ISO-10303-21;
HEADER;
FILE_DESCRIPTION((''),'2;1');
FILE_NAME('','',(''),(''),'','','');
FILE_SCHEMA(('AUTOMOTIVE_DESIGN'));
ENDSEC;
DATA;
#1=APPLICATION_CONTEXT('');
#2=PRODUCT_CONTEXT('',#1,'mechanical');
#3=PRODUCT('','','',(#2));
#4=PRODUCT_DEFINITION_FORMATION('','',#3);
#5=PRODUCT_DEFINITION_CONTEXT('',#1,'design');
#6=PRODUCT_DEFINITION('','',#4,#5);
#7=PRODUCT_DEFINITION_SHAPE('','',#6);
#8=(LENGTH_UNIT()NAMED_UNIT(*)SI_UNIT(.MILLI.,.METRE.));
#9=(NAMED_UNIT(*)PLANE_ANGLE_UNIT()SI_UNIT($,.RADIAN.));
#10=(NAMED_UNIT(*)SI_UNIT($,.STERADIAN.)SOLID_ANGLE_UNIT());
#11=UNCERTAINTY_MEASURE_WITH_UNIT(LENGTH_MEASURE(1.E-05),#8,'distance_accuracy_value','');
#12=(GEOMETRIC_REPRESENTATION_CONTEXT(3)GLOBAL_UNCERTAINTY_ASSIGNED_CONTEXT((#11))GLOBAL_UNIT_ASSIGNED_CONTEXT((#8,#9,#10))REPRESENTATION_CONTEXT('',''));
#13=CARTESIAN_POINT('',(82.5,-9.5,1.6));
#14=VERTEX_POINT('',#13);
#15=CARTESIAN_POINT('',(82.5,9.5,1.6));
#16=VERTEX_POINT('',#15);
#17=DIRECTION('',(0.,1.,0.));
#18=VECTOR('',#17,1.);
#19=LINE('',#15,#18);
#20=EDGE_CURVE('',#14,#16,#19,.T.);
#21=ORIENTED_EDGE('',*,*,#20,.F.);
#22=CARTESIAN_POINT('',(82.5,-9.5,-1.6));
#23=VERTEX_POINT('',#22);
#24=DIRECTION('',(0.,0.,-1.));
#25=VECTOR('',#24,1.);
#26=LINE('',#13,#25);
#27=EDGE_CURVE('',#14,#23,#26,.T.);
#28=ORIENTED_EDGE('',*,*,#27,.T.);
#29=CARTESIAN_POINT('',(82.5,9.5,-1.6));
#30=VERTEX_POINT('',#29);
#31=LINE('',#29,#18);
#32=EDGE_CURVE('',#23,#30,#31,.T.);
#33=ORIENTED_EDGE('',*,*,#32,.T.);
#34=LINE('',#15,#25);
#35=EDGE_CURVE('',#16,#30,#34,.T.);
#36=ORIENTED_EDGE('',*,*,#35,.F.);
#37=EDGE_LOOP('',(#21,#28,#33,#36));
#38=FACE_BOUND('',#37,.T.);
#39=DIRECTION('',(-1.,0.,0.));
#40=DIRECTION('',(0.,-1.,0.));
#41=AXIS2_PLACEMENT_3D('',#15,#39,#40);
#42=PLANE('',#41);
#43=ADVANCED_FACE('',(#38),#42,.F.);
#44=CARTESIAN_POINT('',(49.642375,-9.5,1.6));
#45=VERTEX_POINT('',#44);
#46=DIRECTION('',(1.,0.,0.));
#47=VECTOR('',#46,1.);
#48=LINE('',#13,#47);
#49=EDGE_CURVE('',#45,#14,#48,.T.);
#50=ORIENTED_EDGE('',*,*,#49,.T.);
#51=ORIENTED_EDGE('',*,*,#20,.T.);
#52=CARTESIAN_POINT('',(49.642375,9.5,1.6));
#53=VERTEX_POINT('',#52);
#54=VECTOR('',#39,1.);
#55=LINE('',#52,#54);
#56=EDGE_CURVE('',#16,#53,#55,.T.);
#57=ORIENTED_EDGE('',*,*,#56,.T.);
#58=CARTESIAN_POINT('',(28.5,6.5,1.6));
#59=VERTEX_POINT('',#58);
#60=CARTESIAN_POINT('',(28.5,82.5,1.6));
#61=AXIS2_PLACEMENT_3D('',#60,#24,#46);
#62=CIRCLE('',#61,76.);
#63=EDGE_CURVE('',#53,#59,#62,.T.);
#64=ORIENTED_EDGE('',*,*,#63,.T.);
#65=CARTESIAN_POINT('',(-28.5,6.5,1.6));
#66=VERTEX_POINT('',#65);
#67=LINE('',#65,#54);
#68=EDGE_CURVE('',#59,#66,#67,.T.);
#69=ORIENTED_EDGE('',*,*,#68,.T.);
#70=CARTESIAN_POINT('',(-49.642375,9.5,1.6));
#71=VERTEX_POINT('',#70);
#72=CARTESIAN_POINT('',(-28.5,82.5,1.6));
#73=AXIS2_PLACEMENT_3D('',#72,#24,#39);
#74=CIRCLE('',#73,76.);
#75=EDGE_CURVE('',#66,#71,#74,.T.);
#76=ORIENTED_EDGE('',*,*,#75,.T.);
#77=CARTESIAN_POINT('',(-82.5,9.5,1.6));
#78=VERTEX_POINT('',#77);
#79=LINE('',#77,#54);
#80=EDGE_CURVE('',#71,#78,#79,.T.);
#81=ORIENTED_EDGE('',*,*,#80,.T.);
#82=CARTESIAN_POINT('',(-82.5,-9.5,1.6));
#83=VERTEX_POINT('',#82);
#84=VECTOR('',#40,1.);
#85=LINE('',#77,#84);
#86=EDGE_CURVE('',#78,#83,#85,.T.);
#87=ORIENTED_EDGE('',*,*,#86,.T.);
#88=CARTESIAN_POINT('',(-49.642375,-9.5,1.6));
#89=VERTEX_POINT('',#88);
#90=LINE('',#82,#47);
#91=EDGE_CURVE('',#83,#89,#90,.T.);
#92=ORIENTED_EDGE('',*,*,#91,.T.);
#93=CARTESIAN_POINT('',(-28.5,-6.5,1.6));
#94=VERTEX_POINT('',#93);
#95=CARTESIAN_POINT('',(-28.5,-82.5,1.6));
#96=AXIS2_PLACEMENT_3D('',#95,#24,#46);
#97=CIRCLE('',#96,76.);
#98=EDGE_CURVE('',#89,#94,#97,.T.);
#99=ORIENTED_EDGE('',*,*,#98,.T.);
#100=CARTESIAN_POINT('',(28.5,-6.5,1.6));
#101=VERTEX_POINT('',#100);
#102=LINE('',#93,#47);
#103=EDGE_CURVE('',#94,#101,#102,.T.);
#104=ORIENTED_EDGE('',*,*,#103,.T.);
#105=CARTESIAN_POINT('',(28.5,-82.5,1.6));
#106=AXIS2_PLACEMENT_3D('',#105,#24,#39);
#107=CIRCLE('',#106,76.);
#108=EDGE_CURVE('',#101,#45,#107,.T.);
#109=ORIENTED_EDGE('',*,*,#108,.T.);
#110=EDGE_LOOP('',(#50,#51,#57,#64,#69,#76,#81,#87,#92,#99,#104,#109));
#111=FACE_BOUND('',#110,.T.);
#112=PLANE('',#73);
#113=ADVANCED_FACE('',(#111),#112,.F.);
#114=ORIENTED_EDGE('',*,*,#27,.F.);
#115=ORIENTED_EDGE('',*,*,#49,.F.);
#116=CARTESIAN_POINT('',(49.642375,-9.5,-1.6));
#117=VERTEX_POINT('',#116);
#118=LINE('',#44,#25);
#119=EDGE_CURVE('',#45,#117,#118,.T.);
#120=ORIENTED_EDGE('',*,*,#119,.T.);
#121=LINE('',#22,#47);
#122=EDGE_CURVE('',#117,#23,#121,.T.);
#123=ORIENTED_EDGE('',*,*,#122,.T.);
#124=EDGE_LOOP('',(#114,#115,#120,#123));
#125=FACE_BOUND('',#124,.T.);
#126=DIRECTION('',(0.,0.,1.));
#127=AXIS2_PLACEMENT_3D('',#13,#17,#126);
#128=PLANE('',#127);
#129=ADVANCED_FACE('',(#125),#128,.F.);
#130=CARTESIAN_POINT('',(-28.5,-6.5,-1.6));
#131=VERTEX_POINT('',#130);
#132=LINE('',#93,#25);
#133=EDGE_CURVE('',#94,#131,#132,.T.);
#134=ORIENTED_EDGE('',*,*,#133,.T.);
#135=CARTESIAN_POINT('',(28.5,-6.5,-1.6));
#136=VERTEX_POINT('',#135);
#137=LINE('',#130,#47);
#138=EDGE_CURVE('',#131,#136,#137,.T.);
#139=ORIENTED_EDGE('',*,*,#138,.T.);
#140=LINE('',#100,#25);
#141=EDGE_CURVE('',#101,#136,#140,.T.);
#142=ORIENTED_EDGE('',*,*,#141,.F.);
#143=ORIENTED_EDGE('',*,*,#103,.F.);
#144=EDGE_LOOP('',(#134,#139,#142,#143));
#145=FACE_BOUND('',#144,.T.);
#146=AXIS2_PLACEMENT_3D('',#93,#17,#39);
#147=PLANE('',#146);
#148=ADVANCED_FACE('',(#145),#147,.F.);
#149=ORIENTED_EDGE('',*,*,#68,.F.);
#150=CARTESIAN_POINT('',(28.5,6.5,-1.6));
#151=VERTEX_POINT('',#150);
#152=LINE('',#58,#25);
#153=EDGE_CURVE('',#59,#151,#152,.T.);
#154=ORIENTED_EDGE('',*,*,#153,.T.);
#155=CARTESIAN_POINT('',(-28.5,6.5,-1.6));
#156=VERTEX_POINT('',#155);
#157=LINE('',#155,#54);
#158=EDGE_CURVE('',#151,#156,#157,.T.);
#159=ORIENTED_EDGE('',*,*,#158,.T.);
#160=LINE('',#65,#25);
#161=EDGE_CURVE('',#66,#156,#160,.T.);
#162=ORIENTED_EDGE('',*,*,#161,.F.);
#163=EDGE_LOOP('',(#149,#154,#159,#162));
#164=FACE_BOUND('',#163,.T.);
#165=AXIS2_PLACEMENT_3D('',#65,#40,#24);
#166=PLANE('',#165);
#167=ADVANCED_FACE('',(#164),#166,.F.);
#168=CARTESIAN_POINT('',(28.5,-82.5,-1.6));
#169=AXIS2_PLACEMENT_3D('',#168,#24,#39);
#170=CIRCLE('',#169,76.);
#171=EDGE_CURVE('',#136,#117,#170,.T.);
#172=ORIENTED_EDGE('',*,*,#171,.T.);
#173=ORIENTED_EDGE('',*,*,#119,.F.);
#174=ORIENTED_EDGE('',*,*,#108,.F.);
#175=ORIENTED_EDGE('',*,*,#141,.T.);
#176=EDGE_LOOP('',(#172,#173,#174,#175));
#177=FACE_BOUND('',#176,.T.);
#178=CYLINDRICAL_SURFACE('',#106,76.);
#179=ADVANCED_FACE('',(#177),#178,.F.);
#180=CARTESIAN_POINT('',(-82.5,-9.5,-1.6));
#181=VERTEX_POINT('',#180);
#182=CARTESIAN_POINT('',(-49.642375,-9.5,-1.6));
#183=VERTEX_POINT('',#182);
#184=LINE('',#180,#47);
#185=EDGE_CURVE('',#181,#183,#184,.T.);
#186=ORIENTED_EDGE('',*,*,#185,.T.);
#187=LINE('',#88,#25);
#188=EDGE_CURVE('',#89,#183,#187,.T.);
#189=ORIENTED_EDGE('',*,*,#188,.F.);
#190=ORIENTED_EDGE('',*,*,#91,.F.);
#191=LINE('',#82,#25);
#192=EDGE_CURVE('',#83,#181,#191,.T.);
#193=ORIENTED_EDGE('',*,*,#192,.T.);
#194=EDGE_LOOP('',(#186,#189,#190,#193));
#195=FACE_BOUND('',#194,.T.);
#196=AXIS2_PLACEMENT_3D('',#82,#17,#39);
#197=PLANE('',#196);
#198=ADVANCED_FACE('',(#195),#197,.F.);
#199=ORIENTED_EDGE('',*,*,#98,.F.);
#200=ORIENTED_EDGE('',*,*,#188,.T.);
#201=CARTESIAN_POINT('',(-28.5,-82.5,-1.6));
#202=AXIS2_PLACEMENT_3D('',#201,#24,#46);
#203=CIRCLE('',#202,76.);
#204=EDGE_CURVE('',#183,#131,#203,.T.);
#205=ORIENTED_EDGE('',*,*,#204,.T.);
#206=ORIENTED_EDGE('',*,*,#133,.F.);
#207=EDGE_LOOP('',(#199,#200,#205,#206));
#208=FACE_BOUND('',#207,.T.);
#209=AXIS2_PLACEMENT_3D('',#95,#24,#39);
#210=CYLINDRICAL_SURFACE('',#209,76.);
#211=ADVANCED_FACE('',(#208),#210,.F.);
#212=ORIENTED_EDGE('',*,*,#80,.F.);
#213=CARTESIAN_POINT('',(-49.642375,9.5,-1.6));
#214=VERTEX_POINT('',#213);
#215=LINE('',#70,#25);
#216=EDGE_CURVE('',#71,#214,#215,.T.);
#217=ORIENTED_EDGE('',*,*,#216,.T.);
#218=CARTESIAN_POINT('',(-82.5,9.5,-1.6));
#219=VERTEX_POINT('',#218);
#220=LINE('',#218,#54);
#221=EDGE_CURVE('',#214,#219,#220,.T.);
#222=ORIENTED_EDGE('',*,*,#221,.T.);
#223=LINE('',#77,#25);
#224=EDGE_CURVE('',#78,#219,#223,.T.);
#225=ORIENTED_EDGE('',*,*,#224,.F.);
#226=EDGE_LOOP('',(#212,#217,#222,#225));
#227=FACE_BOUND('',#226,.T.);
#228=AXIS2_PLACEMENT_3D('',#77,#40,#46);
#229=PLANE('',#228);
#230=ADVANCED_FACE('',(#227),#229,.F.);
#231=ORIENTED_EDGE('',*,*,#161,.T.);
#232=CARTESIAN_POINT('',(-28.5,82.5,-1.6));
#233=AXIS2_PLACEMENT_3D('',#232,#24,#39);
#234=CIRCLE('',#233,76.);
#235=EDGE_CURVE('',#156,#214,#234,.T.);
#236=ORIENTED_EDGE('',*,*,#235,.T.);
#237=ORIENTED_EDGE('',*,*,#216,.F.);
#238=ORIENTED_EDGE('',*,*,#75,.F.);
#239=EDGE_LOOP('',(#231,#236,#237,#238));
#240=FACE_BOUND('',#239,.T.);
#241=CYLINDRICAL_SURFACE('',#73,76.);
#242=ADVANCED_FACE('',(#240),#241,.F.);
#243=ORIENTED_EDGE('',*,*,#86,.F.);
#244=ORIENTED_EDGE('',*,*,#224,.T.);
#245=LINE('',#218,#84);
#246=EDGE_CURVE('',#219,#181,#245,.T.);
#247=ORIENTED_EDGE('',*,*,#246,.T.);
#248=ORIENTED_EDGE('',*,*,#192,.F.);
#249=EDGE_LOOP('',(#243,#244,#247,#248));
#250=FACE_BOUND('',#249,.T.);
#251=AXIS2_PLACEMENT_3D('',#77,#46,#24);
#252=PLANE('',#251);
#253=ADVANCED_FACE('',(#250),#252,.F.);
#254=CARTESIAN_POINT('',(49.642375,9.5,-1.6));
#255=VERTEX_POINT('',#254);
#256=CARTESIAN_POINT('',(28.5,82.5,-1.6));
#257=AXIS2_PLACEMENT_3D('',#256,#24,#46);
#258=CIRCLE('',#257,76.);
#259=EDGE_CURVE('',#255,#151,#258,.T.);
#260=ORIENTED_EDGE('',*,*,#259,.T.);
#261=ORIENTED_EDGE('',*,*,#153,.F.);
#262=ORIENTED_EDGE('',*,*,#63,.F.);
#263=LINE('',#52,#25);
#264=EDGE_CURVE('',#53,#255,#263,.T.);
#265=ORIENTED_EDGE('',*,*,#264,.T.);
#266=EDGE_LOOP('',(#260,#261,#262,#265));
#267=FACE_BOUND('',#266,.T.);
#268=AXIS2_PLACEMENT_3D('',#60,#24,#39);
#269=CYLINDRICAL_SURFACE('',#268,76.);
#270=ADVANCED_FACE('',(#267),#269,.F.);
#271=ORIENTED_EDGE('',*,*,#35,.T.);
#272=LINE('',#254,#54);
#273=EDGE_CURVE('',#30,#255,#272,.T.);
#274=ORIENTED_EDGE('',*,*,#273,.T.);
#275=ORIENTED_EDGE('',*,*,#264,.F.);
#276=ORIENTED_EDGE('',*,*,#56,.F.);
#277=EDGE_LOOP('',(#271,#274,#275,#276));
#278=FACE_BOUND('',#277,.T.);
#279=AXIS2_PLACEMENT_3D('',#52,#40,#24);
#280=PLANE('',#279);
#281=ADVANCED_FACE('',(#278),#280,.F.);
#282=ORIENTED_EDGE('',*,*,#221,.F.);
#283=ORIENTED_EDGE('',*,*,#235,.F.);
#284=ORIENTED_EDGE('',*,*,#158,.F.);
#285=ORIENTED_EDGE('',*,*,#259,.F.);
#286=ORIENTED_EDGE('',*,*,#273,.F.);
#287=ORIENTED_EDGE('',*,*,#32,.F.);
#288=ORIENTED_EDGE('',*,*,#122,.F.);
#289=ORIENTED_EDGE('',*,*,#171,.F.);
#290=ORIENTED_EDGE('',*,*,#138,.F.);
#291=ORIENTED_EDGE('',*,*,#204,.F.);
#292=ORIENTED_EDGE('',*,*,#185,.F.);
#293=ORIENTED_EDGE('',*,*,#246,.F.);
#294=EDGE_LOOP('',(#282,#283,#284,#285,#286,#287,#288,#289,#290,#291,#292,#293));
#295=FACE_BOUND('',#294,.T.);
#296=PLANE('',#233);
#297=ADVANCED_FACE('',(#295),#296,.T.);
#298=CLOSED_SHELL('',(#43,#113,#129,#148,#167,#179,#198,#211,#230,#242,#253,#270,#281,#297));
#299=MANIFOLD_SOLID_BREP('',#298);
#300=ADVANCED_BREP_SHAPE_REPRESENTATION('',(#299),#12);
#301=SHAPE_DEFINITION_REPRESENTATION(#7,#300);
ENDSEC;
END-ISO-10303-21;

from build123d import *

# Parameters (mm, degrees)
BOSS_EXTRUDE1_DEPTH = 1.6


with BuildPart() as part:
    # Sketch1 → Boss-Extrude1 (new, symmetric)
    with BuildSketch(Plane.XY):
        with BuildLine():
            Line((-82.5, 9.5), (-82.5, -9.5))
            Line((-82.5, -9.5), (-49.642374512, -9.5))
            ThreePointArc((-49.642374512, -9.5), (-39.177078252, -7.253737634), (-28.5, -6.5))
            Line((-28.5, -6.5), (28.5, -6.5))
            ThreePointArc((28.5, -6.5), (39.177078252, -7.253737634), (49.642374512, -9.5))
            Line((49.642374512, -9.5), (82.5, -9.5))
            Line((82.5, -9.5), (82.5, 9.5))
            Line((82.5, 9.5), (49.642374512, 9.5))
            ThreePointArc((49.642374512, 9.5), (39.177078252, 7.253737634), (28.5, 6.5))
            Line((28.5, 6.5), (-28.5, 6.5))
            ThreePointArc((-28.5, 6.5), (-39.177078252, 7.253737634), (-49.642374512, 9.5))
            Line((-49.642374512, 9.5), (-82.5, 9.5))
        make_face()
    extrude(amount=BOSS_EXTRUDE1_DEPTH, both=True)


solid = part.part
